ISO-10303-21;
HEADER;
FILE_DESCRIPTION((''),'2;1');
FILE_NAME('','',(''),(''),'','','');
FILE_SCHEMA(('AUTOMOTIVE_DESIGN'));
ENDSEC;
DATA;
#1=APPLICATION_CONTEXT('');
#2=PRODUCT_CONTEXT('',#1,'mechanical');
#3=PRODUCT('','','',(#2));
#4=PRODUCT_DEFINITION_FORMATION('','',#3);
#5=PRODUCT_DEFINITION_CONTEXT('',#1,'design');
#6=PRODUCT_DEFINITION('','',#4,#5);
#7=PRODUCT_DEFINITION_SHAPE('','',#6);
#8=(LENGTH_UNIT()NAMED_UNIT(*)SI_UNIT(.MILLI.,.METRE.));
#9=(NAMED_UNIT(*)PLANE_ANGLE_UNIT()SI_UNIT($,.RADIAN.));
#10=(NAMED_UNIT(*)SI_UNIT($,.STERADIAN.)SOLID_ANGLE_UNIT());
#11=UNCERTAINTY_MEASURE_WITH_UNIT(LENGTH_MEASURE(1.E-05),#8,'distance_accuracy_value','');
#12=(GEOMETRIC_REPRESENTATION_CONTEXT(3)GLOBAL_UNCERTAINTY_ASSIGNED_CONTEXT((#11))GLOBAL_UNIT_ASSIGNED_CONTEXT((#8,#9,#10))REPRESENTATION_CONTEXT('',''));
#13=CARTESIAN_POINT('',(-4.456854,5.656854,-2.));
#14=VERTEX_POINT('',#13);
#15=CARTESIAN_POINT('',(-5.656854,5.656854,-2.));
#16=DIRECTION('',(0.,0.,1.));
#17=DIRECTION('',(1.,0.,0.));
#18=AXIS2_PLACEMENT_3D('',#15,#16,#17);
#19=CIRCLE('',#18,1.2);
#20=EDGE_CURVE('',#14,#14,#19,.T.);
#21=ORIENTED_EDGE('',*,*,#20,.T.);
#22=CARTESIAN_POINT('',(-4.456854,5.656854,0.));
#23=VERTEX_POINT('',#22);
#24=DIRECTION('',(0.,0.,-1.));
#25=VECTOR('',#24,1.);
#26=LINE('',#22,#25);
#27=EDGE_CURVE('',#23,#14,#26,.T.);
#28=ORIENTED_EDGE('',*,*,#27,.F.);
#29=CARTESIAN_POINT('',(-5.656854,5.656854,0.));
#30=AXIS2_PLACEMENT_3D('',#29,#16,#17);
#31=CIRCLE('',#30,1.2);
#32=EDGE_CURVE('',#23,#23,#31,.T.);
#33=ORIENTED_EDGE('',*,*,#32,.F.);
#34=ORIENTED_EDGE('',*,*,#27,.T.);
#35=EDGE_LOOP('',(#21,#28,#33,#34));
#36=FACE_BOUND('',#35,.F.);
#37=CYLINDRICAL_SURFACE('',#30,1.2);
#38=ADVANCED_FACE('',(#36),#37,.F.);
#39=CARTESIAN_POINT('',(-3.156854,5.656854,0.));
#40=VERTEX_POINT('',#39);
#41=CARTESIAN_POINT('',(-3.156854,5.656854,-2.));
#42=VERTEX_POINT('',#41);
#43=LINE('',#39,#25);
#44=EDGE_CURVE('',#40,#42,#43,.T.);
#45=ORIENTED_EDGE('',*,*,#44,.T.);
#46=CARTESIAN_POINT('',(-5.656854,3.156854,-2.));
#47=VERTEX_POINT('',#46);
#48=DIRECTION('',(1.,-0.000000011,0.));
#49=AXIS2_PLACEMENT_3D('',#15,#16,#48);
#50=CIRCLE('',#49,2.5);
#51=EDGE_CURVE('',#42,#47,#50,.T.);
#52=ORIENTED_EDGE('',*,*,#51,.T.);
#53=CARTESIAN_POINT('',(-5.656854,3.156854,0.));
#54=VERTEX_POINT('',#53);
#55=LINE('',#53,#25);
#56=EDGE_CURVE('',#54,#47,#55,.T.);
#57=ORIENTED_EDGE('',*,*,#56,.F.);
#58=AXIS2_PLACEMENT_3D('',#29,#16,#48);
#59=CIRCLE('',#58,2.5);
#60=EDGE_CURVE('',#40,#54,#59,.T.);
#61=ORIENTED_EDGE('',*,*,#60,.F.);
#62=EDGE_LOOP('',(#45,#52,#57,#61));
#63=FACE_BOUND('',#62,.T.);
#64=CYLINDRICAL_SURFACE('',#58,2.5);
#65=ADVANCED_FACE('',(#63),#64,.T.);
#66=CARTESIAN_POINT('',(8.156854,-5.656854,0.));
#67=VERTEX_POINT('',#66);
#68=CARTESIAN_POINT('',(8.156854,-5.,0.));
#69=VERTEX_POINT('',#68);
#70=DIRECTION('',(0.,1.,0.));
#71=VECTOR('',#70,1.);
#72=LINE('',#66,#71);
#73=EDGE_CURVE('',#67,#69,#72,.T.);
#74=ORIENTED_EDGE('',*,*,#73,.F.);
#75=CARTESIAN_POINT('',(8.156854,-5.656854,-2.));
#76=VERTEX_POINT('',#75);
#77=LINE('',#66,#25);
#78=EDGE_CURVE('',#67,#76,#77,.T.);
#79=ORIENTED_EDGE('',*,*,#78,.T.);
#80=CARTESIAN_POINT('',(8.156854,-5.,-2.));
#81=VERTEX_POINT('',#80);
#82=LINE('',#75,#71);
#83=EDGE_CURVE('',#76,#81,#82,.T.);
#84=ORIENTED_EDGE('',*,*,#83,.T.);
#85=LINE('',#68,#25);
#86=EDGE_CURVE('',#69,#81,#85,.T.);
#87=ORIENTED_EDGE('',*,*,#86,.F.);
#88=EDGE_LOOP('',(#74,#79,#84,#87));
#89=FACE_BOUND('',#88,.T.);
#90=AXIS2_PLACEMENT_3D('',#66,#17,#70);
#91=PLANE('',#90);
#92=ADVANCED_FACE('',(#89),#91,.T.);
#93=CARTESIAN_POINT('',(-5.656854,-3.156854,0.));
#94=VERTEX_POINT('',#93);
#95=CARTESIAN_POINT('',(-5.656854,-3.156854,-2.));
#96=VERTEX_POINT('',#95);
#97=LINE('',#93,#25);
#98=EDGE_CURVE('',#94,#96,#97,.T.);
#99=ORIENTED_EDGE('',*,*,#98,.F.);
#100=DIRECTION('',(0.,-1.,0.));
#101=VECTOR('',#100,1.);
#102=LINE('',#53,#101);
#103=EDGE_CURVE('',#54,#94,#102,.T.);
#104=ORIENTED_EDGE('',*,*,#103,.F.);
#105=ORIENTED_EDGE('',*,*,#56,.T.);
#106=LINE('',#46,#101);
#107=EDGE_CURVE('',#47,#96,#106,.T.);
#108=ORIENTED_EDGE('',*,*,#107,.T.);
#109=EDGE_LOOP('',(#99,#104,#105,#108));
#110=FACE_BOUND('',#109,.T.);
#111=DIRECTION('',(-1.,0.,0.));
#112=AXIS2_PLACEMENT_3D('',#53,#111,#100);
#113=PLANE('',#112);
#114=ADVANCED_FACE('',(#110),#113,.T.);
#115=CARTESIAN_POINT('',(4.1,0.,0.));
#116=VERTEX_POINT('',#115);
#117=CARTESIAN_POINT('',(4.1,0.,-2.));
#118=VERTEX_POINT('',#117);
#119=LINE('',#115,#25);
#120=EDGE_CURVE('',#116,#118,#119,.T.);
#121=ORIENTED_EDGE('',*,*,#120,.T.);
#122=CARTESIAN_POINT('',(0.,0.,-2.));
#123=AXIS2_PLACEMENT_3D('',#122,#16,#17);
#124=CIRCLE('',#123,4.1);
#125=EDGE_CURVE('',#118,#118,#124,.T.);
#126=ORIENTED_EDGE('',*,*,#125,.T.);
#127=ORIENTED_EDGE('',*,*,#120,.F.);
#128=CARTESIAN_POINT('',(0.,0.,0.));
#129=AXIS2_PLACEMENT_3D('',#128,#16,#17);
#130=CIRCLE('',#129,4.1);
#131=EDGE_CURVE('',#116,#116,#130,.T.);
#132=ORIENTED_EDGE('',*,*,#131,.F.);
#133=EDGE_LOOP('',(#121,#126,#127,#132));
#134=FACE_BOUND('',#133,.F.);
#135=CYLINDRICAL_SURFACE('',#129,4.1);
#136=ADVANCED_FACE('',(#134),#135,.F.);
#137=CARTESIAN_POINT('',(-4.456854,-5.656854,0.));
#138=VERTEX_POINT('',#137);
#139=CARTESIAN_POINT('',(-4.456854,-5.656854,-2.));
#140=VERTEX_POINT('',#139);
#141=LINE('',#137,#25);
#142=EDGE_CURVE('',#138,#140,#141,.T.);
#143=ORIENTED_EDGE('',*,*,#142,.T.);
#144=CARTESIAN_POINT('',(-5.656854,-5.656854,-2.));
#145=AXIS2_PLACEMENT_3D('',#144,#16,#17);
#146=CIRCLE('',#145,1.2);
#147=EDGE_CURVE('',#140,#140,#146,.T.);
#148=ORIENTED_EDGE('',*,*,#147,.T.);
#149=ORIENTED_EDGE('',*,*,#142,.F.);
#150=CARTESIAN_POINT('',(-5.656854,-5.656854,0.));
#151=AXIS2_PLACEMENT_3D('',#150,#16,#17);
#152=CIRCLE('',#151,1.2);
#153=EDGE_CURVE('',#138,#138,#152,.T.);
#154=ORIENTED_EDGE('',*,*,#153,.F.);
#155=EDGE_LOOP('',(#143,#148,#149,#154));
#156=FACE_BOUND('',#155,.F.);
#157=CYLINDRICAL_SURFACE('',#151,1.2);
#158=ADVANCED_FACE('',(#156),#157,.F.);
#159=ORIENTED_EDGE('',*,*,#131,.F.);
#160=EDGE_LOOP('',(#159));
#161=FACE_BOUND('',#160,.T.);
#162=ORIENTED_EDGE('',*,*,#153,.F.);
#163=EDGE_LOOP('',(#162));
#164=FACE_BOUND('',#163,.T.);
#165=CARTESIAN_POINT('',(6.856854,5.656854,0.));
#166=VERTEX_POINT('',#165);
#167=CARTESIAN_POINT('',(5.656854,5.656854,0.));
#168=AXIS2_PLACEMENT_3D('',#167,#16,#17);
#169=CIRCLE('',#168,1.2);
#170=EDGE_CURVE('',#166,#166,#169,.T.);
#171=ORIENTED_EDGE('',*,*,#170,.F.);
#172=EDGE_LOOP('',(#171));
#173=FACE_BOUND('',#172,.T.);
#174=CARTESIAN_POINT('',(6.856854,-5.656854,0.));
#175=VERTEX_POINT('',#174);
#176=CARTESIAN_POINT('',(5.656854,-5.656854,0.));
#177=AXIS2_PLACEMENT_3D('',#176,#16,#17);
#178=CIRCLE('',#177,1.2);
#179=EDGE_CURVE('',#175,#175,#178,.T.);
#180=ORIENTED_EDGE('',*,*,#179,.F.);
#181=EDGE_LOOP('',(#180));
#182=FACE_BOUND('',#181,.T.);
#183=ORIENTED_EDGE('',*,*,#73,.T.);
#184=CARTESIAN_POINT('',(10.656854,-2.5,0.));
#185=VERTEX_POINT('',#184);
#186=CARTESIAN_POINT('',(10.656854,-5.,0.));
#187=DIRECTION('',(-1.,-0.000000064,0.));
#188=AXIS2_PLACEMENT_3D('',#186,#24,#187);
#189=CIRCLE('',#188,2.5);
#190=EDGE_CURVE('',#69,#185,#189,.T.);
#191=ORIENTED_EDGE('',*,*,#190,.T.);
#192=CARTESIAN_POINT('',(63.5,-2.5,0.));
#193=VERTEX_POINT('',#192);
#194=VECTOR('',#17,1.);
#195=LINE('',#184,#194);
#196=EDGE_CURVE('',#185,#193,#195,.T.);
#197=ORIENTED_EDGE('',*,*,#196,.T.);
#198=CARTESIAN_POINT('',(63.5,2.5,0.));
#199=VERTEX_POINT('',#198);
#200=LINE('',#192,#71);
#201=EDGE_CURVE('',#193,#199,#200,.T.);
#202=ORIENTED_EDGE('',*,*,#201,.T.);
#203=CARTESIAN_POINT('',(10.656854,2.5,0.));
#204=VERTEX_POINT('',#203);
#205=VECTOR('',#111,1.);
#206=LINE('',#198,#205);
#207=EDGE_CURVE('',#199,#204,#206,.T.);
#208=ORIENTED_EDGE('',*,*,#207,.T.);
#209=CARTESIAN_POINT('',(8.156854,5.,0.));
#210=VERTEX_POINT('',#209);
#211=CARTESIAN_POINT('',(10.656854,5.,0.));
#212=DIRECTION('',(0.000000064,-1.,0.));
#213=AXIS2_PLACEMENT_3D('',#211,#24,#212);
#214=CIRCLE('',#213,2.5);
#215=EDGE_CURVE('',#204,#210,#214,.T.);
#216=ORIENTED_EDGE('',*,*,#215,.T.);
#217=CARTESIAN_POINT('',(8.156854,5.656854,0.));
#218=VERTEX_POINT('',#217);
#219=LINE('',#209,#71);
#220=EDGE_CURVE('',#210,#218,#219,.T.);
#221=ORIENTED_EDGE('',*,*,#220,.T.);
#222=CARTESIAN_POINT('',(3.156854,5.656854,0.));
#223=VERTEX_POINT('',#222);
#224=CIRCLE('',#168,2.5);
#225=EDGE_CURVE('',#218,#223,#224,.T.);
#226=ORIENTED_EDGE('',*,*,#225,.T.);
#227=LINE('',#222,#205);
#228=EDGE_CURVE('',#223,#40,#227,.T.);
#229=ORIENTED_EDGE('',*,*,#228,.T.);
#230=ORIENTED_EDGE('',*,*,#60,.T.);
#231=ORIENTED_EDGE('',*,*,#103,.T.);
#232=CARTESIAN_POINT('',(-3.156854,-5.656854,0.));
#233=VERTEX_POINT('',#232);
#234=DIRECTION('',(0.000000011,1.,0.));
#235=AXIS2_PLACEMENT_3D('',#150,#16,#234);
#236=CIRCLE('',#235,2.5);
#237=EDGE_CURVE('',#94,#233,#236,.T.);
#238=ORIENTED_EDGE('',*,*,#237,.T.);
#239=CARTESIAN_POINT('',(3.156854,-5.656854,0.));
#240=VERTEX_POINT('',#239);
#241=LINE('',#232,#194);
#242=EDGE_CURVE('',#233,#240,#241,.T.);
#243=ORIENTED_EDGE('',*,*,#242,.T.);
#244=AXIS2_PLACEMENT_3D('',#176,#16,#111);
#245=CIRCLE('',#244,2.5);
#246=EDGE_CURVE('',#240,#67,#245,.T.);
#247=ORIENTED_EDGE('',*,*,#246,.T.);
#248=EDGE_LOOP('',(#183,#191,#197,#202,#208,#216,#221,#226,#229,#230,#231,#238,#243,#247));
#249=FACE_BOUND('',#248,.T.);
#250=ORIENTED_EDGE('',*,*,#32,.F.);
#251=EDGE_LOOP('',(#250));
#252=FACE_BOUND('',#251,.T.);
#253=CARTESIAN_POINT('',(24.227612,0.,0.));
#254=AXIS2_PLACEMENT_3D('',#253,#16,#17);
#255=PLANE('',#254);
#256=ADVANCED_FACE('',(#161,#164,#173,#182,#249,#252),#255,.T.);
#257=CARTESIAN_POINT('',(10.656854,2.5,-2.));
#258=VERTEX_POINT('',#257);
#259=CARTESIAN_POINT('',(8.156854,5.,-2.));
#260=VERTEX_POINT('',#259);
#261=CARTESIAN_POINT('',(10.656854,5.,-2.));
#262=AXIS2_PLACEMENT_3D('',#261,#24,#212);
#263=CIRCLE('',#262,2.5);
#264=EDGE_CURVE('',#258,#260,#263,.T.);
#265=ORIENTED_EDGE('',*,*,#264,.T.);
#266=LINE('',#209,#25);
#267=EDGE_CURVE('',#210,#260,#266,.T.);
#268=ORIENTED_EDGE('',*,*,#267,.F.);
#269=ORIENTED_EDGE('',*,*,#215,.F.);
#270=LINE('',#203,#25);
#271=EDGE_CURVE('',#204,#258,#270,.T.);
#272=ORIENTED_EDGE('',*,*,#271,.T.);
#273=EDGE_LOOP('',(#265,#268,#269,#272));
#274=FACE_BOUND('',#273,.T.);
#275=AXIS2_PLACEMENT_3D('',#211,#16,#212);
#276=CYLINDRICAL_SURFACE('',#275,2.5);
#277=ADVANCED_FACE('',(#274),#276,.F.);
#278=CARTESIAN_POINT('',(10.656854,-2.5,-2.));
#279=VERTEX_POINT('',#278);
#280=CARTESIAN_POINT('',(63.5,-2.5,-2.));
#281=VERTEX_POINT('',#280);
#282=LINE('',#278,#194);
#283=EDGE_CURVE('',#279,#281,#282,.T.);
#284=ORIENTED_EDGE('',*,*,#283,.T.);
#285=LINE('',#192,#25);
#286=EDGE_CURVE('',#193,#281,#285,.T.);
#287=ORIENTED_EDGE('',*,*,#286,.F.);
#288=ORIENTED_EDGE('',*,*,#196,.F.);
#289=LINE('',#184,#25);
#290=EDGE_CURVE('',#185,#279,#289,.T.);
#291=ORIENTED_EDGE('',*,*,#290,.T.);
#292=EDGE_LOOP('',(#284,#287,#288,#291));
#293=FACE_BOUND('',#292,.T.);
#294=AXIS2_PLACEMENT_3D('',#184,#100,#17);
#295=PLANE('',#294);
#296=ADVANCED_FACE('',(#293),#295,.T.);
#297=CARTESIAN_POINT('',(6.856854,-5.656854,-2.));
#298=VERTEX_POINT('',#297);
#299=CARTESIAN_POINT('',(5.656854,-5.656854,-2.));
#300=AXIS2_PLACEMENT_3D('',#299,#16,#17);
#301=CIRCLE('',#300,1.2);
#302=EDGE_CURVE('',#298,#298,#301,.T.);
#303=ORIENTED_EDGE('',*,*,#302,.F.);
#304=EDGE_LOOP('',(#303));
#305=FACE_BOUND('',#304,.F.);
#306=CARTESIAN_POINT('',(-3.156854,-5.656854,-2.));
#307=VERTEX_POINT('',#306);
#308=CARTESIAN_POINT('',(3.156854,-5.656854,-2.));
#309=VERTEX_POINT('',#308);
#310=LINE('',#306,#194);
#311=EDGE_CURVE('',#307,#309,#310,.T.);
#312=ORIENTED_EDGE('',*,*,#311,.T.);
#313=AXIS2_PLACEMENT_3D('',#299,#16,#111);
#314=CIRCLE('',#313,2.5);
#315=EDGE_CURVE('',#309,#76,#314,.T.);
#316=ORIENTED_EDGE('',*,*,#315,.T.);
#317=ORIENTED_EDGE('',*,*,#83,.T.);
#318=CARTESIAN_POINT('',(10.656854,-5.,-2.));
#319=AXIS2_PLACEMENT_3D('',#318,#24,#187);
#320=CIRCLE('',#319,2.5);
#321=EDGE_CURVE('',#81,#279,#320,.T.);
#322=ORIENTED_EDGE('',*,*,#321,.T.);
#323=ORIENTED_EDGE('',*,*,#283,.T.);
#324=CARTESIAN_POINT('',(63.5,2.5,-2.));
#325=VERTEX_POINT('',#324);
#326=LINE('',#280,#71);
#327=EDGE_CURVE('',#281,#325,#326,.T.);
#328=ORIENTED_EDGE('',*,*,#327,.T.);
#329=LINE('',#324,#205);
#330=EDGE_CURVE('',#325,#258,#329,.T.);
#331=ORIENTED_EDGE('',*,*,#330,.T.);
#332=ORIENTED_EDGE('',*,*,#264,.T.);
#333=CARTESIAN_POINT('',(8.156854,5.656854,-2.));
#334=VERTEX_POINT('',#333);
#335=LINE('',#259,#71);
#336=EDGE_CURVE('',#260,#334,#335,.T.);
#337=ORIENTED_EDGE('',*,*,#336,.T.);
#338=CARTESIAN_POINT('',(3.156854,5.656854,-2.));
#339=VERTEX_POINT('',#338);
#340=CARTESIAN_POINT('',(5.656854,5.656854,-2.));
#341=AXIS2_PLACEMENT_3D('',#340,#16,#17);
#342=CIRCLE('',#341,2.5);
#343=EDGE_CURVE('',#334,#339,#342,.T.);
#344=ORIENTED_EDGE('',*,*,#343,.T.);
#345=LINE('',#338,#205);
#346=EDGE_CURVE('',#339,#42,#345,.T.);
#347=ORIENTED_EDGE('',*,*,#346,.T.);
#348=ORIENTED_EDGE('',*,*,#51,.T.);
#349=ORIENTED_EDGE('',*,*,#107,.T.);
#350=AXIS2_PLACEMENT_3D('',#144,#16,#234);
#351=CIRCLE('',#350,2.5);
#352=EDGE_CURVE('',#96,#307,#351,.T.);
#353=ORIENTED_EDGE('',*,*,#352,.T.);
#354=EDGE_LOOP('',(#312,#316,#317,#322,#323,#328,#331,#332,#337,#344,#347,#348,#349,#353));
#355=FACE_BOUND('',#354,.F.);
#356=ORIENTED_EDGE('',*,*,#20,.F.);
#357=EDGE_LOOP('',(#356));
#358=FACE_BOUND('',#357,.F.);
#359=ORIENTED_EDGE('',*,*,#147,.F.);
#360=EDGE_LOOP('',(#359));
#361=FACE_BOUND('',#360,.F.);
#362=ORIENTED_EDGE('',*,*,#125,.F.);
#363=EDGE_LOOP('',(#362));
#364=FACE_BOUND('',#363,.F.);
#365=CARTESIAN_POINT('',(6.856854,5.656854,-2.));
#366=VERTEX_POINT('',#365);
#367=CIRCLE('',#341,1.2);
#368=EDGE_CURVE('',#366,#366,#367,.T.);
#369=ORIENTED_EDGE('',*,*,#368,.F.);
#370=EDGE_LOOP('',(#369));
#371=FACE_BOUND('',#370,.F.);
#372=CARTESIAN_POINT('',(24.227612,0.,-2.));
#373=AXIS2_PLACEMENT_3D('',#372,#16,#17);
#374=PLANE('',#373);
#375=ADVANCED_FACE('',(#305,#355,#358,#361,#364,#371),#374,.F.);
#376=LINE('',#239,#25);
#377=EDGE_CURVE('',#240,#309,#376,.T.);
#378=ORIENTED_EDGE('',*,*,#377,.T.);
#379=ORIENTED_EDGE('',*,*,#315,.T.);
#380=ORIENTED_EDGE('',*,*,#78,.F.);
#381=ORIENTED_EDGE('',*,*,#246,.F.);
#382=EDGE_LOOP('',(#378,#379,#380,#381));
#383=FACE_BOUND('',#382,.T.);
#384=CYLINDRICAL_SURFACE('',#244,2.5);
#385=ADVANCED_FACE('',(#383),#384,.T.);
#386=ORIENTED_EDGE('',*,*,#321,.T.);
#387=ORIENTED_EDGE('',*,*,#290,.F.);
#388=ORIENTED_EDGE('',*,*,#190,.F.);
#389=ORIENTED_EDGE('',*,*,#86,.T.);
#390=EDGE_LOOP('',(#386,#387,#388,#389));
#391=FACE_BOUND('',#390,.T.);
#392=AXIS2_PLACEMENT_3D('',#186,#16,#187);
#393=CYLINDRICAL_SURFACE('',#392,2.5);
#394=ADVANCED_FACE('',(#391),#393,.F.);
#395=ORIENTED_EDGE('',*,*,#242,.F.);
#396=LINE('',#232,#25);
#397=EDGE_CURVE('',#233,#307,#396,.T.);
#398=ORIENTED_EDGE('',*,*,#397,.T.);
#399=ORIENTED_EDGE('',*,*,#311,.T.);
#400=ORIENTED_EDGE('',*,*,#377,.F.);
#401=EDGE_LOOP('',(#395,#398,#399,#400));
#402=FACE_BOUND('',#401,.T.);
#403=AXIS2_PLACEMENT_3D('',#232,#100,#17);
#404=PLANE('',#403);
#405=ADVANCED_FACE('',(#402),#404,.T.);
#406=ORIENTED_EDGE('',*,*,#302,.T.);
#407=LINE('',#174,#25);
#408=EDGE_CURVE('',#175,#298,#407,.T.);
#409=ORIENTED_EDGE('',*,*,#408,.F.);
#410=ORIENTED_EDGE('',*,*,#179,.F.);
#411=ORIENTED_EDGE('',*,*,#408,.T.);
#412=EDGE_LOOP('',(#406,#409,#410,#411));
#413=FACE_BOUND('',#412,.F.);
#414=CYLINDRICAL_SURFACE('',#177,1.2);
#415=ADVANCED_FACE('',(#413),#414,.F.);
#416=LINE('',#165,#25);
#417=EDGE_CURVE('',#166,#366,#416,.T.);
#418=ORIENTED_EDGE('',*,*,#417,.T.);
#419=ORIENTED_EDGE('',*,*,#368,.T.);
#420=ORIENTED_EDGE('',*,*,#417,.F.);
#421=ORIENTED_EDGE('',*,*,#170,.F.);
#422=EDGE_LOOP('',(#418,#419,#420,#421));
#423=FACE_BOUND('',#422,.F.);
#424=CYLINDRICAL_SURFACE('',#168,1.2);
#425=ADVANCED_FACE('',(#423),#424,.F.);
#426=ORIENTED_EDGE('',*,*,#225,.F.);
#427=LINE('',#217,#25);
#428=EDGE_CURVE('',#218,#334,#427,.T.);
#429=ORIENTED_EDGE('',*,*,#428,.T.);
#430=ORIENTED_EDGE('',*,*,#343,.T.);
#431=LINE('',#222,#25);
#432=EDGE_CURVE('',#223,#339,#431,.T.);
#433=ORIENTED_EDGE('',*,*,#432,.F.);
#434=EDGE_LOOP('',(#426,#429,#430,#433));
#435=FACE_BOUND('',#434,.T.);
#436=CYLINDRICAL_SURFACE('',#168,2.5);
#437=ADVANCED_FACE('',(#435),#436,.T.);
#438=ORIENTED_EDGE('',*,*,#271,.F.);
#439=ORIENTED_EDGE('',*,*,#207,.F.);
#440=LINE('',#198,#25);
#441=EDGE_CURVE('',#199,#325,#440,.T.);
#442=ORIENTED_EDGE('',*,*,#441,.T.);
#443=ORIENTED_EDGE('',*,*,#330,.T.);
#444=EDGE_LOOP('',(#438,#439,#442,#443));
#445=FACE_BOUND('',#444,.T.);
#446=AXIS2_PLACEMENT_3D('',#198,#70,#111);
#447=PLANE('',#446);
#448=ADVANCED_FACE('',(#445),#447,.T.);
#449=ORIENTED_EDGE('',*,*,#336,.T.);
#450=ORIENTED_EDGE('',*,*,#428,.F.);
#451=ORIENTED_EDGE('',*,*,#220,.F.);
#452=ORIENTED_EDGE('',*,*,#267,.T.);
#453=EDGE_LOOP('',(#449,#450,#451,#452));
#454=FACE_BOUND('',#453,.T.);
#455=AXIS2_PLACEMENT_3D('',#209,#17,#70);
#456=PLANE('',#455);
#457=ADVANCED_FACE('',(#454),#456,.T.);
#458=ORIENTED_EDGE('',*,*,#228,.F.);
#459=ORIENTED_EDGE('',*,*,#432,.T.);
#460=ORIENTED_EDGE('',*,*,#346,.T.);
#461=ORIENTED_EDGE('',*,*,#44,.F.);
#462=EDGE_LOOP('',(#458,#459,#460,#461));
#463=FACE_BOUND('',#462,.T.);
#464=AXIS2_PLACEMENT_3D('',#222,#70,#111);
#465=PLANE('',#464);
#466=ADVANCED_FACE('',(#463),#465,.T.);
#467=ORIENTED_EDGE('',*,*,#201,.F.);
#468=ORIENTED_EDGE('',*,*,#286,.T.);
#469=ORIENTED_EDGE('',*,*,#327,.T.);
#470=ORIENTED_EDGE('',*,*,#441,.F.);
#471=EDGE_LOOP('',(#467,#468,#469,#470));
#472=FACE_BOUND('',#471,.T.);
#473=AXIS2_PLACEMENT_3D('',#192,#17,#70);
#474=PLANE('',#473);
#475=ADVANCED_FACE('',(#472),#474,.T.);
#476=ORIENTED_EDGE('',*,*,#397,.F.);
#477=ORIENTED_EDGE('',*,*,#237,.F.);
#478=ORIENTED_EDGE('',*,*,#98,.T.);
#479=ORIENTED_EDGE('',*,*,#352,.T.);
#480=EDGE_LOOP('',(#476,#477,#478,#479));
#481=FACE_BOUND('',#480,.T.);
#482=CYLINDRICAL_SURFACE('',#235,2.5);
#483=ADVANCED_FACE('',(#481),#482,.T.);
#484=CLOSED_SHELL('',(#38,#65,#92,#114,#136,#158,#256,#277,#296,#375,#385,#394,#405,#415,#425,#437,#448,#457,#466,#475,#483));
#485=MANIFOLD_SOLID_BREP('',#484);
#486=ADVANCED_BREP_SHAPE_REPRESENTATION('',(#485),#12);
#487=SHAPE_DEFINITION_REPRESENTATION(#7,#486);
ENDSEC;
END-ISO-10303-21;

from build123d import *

# Parameters (mm, degrees)
F1_R     = 1.2
F1_R_2   = 4.1
F2_DEPTH = 2


with BuildPart() as f2:
    # F1 (on Top) → F2 (new body)
    with BuildSketch(Plane.XY):
        with BuildLine():
            Line((3.156854, 5.656854), (-3.156854, 5.656854))
            ThreePointArc((-3.156854, 5.656854), (-7.424621, 7.424621), (-5.656854, 3.156854))
            Line((-5.656854, 3.156854), (-5.656854, -3.156854))
            ThreePointArc((-5.656854, -3.156854), (-7.424621, -7.424621), (-3.156854, -5.656854))
            Line((-3.156854, -5.656854), (3.156854, -5.656854))
            ThreePointArc((3.156854, -5.656854), (5.656854, -8.156854), (8.156854, -5.656854))
            Line((8.156854, -5.656854), (8.156854, -5))
            ThreePointArc((8.156854, -5), (8.889087, -3.232233), (10.656854, -2.5))
            Line((10.656854, -2.5), (63.5, -2.5))
            Line((63.5, -2.5), (63.5, 2.5))
            Line((63.5, 2.5), (10.656854, 2.5))
            ThreePointArc((10.656854, 2.5), (8.889087, 3.232233), (8.156854, 5))
            Line((8.156854, 5), (8.156854, 5.656854))
            ThreePointArc((8.156854, 5.656854), (5.656854, 8.156854), (3.156854, 5.656854))
        make_face()
        with Locations((-5.656854, -5.656854)):
            Circle(F1_R, mode=Mode.SUBTRACT)
        with Locations((5.656854, -5.656854)):
            Circle(F1_R, mode=Mode.SUBTRACT)
        Circle(F1_R_2, mode=Mode.SUBTRACT)
        with Locations((-5.656854, 5.656854)):
            Circle(F1_R, mode=Mode.SUBTRACT)
        with Locations((5.656854, 5.656854)):
            Circle(F1_R, mode=Mode.SUBTRACT)
    extrude(amount=-F2_DEPTH)


solid = f2.part
